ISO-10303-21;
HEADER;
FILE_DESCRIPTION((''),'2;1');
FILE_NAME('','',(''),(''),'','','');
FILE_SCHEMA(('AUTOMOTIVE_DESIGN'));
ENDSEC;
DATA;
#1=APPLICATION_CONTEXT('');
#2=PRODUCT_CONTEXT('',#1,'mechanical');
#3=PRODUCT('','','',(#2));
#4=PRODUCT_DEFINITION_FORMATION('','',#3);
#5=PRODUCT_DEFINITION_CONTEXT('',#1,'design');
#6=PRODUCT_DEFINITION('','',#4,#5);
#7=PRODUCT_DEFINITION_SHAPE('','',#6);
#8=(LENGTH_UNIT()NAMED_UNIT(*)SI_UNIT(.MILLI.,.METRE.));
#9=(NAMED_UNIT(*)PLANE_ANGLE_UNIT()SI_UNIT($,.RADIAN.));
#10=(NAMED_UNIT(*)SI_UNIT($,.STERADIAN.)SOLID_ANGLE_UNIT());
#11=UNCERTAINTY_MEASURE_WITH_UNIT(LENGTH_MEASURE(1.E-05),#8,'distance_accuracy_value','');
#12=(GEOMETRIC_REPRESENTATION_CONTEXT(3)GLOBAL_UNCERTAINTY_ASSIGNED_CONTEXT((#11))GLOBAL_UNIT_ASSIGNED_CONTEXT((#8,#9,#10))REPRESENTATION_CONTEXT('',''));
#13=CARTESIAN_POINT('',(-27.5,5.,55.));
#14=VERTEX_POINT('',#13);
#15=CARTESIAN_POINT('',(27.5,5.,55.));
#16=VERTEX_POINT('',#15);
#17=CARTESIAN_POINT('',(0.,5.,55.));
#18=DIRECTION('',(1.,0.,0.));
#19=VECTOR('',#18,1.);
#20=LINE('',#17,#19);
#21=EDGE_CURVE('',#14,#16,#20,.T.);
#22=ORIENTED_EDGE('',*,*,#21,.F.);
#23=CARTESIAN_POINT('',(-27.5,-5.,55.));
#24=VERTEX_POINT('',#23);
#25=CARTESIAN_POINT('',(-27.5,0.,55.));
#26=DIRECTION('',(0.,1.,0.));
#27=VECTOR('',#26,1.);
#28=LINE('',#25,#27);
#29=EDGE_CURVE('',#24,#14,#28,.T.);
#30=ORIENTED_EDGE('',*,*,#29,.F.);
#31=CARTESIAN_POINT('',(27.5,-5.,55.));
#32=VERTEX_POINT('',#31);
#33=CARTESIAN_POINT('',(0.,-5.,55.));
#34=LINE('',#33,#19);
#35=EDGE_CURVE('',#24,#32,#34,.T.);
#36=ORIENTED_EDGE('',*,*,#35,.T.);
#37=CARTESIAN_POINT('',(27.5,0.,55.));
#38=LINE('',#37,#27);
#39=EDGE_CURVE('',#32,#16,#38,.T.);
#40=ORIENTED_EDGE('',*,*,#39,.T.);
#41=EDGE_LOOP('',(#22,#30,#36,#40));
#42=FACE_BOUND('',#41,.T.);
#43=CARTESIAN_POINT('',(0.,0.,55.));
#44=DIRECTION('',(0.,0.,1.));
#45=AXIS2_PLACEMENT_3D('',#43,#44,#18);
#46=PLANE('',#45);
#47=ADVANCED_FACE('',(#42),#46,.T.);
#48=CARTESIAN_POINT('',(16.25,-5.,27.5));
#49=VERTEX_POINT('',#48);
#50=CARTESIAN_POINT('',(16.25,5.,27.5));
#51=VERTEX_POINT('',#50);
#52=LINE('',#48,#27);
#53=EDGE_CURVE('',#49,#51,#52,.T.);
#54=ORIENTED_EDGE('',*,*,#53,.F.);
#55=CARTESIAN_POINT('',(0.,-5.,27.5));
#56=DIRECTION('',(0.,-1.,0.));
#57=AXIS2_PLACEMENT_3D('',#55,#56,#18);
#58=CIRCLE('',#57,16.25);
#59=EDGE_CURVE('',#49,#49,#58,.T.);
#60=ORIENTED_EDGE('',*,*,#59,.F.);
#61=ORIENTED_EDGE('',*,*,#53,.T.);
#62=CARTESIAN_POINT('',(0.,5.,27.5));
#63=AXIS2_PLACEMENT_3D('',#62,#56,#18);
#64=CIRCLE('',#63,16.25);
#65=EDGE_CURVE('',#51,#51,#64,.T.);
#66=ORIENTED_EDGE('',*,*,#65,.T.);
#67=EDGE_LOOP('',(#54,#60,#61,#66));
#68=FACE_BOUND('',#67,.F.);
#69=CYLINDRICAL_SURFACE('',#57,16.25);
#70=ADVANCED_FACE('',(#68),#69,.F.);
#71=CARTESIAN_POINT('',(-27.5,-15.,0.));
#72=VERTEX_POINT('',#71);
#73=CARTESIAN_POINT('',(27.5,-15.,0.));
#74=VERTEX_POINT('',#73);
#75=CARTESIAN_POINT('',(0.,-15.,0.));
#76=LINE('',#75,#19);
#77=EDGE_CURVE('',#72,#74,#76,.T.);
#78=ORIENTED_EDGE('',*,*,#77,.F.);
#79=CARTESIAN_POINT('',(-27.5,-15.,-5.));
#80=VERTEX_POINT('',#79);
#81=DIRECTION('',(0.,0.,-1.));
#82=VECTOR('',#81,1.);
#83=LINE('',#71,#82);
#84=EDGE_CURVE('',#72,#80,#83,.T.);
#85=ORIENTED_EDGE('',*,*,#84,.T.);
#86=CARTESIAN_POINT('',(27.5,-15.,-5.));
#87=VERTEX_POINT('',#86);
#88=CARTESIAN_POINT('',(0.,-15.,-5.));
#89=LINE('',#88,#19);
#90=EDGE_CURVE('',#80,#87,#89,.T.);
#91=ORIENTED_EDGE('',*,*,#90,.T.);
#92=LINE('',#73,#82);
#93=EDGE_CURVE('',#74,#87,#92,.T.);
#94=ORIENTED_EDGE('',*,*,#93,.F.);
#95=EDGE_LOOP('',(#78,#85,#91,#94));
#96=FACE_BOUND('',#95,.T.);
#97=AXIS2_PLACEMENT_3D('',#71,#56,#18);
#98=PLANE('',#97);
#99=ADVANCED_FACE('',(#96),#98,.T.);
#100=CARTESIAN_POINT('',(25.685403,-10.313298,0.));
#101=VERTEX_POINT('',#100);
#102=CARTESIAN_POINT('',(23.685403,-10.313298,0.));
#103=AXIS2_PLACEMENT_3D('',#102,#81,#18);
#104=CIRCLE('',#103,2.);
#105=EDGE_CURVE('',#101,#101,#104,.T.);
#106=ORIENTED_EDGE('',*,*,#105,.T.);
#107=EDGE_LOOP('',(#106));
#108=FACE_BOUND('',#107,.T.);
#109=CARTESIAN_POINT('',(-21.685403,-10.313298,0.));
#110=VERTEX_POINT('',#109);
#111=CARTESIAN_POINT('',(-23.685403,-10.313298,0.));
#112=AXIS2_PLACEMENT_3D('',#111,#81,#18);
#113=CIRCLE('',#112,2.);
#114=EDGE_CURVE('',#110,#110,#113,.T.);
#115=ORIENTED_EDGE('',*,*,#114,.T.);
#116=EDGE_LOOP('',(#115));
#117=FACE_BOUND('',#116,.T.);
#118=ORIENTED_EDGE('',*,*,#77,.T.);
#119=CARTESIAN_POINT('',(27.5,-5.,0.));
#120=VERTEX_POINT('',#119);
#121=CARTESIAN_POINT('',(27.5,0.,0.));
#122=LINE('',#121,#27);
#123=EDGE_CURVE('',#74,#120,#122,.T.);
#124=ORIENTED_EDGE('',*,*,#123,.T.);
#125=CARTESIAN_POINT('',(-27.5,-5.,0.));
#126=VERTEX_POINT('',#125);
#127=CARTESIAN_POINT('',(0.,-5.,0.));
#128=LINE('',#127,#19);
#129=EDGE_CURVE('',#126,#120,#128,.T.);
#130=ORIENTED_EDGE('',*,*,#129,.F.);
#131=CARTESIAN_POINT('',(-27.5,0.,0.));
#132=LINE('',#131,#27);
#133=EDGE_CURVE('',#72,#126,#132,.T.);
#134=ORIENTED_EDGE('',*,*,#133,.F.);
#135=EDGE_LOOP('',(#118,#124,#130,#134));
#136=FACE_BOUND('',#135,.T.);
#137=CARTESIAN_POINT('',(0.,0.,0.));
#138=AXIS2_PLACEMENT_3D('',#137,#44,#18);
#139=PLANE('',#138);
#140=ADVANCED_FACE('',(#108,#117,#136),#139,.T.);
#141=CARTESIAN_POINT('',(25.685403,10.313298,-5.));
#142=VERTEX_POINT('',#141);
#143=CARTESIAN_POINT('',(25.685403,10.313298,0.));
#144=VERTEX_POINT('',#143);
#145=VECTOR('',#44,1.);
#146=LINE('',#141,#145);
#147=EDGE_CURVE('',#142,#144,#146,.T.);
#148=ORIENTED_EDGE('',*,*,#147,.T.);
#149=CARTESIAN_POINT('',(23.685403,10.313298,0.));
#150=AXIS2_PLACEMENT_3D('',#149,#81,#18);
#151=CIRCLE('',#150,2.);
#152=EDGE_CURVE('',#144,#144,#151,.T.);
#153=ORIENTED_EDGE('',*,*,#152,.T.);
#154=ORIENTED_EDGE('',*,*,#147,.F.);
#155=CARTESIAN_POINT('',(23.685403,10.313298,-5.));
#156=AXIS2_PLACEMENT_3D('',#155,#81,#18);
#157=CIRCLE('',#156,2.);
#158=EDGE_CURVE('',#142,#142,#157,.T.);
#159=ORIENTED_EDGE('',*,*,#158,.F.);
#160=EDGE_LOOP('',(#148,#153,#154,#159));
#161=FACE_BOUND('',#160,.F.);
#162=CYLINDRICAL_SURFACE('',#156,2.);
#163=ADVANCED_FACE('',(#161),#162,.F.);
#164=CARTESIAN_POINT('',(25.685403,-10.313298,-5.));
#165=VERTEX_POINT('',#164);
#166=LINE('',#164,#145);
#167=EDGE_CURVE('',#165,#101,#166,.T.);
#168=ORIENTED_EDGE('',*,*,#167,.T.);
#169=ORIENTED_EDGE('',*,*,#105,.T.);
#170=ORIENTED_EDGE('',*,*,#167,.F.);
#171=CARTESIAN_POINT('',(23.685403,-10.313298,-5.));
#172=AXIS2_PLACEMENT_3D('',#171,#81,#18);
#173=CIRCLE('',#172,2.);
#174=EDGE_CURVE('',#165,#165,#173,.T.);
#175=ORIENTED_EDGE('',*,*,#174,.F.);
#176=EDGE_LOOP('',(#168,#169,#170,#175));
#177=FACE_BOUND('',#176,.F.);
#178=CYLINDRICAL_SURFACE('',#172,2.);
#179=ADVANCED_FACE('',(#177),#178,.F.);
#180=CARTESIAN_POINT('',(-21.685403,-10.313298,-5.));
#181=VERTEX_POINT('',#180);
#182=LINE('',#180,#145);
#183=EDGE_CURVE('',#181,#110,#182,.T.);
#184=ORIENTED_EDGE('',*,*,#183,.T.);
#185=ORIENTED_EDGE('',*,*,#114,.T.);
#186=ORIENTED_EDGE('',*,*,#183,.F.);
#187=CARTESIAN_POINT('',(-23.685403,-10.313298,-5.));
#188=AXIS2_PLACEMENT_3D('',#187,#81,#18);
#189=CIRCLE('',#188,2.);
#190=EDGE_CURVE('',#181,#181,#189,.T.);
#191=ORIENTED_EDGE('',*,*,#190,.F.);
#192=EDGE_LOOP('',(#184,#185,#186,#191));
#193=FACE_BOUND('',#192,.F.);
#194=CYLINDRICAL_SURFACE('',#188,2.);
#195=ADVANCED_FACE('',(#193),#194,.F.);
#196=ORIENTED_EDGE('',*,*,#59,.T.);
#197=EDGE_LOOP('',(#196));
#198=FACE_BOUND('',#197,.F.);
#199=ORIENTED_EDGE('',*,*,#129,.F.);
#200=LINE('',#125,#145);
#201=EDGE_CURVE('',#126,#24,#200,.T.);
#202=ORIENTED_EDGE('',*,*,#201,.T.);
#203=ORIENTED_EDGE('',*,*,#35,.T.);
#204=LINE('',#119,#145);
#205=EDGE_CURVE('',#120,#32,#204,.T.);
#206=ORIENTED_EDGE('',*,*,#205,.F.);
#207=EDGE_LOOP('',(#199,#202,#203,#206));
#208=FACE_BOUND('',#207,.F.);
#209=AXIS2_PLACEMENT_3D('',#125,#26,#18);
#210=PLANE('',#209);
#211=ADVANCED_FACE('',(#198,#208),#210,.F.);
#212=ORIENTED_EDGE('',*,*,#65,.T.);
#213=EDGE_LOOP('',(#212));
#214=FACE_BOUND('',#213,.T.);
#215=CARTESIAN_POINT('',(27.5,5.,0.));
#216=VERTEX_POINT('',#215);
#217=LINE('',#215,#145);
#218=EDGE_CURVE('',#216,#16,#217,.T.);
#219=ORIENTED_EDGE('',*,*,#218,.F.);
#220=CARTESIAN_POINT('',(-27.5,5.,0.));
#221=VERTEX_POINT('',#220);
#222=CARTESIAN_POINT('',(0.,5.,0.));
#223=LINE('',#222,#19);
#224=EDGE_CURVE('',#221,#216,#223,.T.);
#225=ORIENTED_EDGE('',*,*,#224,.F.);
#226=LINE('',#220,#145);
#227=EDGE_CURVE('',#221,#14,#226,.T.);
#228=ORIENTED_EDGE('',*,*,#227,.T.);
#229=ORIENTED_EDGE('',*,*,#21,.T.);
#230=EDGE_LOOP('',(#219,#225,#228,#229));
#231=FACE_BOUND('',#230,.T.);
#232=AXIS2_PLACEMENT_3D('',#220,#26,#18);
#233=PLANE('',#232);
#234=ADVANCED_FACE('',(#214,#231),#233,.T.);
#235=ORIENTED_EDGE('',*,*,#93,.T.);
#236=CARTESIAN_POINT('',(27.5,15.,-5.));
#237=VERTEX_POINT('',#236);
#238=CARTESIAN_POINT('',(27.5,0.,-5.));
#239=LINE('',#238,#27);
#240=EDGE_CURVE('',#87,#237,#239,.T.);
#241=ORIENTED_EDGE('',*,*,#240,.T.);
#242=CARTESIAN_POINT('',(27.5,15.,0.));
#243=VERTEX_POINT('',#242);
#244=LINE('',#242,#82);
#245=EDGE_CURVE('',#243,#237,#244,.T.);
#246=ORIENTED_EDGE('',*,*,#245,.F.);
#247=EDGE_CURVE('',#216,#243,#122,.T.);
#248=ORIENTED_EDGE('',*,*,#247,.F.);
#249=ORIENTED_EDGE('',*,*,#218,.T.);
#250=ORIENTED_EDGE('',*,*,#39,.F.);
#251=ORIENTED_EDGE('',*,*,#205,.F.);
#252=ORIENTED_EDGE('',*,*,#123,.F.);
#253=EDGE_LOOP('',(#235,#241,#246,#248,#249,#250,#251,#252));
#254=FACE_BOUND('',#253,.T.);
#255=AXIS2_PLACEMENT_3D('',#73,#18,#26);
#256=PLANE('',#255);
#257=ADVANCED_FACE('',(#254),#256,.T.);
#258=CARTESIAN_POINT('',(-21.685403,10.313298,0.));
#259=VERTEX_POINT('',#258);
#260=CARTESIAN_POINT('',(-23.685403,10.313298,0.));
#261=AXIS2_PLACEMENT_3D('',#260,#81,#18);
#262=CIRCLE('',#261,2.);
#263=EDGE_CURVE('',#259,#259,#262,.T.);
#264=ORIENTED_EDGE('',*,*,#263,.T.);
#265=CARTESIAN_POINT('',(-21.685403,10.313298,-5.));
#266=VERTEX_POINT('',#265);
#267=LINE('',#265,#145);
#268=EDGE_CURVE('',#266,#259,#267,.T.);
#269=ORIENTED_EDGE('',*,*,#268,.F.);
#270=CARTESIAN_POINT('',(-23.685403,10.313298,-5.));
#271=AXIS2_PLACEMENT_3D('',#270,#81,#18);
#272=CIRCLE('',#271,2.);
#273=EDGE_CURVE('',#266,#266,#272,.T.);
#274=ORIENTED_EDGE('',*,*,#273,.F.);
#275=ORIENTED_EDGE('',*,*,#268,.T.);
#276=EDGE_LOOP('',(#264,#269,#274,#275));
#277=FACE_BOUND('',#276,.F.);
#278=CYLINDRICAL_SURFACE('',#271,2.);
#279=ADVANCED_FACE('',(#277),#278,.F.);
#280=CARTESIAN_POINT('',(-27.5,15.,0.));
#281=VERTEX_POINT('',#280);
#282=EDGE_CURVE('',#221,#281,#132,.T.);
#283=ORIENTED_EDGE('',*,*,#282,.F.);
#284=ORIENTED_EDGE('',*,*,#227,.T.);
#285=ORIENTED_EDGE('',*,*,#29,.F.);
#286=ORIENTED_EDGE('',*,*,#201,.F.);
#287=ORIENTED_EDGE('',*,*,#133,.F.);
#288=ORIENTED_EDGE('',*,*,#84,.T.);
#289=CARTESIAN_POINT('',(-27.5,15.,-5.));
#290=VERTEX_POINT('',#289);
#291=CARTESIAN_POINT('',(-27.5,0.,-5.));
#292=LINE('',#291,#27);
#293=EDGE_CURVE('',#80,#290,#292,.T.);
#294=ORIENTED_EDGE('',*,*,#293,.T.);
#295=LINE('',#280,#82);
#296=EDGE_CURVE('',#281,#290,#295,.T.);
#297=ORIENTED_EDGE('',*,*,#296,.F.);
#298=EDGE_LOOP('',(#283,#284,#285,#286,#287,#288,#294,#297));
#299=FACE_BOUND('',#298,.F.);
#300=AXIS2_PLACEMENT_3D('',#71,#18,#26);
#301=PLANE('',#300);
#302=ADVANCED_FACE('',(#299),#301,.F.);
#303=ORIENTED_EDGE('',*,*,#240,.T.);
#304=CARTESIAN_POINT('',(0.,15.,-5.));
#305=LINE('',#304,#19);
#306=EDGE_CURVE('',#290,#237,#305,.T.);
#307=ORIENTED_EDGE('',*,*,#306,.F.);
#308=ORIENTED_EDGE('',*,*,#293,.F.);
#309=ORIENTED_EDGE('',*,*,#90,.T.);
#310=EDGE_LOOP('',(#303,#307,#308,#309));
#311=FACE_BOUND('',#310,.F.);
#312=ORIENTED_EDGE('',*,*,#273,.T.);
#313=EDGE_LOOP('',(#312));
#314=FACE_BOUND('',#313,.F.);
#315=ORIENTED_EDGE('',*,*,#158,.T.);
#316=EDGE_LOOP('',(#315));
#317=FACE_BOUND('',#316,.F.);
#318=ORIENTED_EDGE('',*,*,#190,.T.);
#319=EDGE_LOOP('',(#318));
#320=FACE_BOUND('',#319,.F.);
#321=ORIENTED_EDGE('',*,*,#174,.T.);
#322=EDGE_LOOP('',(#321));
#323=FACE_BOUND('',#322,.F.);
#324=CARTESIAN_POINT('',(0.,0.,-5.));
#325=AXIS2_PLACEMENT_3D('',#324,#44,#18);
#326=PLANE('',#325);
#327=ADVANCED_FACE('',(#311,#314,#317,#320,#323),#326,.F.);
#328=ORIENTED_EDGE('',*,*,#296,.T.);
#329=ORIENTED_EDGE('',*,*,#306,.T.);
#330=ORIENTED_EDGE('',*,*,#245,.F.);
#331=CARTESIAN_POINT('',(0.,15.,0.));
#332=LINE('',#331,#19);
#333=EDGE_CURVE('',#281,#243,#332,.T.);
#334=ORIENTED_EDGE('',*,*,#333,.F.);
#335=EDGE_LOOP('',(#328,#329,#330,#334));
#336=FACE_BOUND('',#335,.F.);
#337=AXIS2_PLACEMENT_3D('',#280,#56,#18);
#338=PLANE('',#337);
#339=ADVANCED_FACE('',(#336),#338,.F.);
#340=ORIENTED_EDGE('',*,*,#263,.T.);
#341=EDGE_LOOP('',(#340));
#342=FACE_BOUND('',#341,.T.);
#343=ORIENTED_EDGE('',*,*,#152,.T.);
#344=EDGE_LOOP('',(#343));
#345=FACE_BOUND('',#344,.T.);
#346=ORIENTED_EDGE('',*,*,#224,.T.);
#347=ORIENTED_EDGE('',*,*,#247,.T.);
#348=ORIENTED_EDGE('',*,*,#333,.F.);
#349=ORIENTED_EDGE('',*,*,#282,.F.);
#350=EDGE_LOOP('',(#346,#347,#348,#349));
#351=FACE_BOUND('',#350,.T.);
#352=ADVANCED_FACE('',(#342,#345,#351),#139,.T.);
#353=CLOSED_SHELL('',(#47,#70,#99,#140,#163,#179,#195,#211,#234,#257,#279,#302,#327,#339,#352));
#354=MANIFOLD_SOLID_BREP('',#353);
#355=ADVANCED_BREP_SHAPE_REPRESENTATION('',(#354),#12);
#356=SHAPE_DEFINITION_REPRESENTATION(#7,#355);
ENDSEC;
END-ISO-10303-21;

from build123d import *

# Parameters (mm, degrees)
F0_W     = 55
F0_H     = 10
F1_DEPTH = 55
F2_R     = 16.25
F3_DEPTH = 25
F4_W     = 55
F4_H     = 30
F5_DEPTH = 5
F6_R     = 2
F7_DEPTH = 25


with BuildPart() as f1:
    # F0 (on Top) → F1 (new body)
    with BuildSketch(Plane.XY):
        Rectangle(F0_W, F0_H)
    extrude(amount=F1_DEPTH)

    # F2 (on face) → F3 (cut)
    with BuildSketch(Plane.XZ.offset(5)):
        with Locations((0, 27.5)):
            Circle(F2_R)
    extrude(amount=-F3_DEPTH, mode=Mode.SUBTRACT)

    # F4 (on Top) → F5 (join)
    with BuildSketch(Plane.XY):
        Rectangle(F4_W, F4_H)
    extrude(amount=-F5_DEPTH)

    # F6 (on face) → F7 (cut)
    with BuildSketch(Plane(origin=(0, 0, -5), x_dir=(1, 0, 0), z_dir=(0, 0, -1))):
        with Locations((23.685403, 10.313298)):
            Circle(F6_R)
        with Locations((-23.685403, 10.313298)):
            Circle(F6_R)
        with Locations((-23.685403, -10.313298)):
            Circle(F6_R)
        with Locations((23.685403, -10.313298)):
            Circle(F6_R)
    extrude(amount=-F7_DEPTH, mode=Mode.SUBTRACT)


solid = f1.part
